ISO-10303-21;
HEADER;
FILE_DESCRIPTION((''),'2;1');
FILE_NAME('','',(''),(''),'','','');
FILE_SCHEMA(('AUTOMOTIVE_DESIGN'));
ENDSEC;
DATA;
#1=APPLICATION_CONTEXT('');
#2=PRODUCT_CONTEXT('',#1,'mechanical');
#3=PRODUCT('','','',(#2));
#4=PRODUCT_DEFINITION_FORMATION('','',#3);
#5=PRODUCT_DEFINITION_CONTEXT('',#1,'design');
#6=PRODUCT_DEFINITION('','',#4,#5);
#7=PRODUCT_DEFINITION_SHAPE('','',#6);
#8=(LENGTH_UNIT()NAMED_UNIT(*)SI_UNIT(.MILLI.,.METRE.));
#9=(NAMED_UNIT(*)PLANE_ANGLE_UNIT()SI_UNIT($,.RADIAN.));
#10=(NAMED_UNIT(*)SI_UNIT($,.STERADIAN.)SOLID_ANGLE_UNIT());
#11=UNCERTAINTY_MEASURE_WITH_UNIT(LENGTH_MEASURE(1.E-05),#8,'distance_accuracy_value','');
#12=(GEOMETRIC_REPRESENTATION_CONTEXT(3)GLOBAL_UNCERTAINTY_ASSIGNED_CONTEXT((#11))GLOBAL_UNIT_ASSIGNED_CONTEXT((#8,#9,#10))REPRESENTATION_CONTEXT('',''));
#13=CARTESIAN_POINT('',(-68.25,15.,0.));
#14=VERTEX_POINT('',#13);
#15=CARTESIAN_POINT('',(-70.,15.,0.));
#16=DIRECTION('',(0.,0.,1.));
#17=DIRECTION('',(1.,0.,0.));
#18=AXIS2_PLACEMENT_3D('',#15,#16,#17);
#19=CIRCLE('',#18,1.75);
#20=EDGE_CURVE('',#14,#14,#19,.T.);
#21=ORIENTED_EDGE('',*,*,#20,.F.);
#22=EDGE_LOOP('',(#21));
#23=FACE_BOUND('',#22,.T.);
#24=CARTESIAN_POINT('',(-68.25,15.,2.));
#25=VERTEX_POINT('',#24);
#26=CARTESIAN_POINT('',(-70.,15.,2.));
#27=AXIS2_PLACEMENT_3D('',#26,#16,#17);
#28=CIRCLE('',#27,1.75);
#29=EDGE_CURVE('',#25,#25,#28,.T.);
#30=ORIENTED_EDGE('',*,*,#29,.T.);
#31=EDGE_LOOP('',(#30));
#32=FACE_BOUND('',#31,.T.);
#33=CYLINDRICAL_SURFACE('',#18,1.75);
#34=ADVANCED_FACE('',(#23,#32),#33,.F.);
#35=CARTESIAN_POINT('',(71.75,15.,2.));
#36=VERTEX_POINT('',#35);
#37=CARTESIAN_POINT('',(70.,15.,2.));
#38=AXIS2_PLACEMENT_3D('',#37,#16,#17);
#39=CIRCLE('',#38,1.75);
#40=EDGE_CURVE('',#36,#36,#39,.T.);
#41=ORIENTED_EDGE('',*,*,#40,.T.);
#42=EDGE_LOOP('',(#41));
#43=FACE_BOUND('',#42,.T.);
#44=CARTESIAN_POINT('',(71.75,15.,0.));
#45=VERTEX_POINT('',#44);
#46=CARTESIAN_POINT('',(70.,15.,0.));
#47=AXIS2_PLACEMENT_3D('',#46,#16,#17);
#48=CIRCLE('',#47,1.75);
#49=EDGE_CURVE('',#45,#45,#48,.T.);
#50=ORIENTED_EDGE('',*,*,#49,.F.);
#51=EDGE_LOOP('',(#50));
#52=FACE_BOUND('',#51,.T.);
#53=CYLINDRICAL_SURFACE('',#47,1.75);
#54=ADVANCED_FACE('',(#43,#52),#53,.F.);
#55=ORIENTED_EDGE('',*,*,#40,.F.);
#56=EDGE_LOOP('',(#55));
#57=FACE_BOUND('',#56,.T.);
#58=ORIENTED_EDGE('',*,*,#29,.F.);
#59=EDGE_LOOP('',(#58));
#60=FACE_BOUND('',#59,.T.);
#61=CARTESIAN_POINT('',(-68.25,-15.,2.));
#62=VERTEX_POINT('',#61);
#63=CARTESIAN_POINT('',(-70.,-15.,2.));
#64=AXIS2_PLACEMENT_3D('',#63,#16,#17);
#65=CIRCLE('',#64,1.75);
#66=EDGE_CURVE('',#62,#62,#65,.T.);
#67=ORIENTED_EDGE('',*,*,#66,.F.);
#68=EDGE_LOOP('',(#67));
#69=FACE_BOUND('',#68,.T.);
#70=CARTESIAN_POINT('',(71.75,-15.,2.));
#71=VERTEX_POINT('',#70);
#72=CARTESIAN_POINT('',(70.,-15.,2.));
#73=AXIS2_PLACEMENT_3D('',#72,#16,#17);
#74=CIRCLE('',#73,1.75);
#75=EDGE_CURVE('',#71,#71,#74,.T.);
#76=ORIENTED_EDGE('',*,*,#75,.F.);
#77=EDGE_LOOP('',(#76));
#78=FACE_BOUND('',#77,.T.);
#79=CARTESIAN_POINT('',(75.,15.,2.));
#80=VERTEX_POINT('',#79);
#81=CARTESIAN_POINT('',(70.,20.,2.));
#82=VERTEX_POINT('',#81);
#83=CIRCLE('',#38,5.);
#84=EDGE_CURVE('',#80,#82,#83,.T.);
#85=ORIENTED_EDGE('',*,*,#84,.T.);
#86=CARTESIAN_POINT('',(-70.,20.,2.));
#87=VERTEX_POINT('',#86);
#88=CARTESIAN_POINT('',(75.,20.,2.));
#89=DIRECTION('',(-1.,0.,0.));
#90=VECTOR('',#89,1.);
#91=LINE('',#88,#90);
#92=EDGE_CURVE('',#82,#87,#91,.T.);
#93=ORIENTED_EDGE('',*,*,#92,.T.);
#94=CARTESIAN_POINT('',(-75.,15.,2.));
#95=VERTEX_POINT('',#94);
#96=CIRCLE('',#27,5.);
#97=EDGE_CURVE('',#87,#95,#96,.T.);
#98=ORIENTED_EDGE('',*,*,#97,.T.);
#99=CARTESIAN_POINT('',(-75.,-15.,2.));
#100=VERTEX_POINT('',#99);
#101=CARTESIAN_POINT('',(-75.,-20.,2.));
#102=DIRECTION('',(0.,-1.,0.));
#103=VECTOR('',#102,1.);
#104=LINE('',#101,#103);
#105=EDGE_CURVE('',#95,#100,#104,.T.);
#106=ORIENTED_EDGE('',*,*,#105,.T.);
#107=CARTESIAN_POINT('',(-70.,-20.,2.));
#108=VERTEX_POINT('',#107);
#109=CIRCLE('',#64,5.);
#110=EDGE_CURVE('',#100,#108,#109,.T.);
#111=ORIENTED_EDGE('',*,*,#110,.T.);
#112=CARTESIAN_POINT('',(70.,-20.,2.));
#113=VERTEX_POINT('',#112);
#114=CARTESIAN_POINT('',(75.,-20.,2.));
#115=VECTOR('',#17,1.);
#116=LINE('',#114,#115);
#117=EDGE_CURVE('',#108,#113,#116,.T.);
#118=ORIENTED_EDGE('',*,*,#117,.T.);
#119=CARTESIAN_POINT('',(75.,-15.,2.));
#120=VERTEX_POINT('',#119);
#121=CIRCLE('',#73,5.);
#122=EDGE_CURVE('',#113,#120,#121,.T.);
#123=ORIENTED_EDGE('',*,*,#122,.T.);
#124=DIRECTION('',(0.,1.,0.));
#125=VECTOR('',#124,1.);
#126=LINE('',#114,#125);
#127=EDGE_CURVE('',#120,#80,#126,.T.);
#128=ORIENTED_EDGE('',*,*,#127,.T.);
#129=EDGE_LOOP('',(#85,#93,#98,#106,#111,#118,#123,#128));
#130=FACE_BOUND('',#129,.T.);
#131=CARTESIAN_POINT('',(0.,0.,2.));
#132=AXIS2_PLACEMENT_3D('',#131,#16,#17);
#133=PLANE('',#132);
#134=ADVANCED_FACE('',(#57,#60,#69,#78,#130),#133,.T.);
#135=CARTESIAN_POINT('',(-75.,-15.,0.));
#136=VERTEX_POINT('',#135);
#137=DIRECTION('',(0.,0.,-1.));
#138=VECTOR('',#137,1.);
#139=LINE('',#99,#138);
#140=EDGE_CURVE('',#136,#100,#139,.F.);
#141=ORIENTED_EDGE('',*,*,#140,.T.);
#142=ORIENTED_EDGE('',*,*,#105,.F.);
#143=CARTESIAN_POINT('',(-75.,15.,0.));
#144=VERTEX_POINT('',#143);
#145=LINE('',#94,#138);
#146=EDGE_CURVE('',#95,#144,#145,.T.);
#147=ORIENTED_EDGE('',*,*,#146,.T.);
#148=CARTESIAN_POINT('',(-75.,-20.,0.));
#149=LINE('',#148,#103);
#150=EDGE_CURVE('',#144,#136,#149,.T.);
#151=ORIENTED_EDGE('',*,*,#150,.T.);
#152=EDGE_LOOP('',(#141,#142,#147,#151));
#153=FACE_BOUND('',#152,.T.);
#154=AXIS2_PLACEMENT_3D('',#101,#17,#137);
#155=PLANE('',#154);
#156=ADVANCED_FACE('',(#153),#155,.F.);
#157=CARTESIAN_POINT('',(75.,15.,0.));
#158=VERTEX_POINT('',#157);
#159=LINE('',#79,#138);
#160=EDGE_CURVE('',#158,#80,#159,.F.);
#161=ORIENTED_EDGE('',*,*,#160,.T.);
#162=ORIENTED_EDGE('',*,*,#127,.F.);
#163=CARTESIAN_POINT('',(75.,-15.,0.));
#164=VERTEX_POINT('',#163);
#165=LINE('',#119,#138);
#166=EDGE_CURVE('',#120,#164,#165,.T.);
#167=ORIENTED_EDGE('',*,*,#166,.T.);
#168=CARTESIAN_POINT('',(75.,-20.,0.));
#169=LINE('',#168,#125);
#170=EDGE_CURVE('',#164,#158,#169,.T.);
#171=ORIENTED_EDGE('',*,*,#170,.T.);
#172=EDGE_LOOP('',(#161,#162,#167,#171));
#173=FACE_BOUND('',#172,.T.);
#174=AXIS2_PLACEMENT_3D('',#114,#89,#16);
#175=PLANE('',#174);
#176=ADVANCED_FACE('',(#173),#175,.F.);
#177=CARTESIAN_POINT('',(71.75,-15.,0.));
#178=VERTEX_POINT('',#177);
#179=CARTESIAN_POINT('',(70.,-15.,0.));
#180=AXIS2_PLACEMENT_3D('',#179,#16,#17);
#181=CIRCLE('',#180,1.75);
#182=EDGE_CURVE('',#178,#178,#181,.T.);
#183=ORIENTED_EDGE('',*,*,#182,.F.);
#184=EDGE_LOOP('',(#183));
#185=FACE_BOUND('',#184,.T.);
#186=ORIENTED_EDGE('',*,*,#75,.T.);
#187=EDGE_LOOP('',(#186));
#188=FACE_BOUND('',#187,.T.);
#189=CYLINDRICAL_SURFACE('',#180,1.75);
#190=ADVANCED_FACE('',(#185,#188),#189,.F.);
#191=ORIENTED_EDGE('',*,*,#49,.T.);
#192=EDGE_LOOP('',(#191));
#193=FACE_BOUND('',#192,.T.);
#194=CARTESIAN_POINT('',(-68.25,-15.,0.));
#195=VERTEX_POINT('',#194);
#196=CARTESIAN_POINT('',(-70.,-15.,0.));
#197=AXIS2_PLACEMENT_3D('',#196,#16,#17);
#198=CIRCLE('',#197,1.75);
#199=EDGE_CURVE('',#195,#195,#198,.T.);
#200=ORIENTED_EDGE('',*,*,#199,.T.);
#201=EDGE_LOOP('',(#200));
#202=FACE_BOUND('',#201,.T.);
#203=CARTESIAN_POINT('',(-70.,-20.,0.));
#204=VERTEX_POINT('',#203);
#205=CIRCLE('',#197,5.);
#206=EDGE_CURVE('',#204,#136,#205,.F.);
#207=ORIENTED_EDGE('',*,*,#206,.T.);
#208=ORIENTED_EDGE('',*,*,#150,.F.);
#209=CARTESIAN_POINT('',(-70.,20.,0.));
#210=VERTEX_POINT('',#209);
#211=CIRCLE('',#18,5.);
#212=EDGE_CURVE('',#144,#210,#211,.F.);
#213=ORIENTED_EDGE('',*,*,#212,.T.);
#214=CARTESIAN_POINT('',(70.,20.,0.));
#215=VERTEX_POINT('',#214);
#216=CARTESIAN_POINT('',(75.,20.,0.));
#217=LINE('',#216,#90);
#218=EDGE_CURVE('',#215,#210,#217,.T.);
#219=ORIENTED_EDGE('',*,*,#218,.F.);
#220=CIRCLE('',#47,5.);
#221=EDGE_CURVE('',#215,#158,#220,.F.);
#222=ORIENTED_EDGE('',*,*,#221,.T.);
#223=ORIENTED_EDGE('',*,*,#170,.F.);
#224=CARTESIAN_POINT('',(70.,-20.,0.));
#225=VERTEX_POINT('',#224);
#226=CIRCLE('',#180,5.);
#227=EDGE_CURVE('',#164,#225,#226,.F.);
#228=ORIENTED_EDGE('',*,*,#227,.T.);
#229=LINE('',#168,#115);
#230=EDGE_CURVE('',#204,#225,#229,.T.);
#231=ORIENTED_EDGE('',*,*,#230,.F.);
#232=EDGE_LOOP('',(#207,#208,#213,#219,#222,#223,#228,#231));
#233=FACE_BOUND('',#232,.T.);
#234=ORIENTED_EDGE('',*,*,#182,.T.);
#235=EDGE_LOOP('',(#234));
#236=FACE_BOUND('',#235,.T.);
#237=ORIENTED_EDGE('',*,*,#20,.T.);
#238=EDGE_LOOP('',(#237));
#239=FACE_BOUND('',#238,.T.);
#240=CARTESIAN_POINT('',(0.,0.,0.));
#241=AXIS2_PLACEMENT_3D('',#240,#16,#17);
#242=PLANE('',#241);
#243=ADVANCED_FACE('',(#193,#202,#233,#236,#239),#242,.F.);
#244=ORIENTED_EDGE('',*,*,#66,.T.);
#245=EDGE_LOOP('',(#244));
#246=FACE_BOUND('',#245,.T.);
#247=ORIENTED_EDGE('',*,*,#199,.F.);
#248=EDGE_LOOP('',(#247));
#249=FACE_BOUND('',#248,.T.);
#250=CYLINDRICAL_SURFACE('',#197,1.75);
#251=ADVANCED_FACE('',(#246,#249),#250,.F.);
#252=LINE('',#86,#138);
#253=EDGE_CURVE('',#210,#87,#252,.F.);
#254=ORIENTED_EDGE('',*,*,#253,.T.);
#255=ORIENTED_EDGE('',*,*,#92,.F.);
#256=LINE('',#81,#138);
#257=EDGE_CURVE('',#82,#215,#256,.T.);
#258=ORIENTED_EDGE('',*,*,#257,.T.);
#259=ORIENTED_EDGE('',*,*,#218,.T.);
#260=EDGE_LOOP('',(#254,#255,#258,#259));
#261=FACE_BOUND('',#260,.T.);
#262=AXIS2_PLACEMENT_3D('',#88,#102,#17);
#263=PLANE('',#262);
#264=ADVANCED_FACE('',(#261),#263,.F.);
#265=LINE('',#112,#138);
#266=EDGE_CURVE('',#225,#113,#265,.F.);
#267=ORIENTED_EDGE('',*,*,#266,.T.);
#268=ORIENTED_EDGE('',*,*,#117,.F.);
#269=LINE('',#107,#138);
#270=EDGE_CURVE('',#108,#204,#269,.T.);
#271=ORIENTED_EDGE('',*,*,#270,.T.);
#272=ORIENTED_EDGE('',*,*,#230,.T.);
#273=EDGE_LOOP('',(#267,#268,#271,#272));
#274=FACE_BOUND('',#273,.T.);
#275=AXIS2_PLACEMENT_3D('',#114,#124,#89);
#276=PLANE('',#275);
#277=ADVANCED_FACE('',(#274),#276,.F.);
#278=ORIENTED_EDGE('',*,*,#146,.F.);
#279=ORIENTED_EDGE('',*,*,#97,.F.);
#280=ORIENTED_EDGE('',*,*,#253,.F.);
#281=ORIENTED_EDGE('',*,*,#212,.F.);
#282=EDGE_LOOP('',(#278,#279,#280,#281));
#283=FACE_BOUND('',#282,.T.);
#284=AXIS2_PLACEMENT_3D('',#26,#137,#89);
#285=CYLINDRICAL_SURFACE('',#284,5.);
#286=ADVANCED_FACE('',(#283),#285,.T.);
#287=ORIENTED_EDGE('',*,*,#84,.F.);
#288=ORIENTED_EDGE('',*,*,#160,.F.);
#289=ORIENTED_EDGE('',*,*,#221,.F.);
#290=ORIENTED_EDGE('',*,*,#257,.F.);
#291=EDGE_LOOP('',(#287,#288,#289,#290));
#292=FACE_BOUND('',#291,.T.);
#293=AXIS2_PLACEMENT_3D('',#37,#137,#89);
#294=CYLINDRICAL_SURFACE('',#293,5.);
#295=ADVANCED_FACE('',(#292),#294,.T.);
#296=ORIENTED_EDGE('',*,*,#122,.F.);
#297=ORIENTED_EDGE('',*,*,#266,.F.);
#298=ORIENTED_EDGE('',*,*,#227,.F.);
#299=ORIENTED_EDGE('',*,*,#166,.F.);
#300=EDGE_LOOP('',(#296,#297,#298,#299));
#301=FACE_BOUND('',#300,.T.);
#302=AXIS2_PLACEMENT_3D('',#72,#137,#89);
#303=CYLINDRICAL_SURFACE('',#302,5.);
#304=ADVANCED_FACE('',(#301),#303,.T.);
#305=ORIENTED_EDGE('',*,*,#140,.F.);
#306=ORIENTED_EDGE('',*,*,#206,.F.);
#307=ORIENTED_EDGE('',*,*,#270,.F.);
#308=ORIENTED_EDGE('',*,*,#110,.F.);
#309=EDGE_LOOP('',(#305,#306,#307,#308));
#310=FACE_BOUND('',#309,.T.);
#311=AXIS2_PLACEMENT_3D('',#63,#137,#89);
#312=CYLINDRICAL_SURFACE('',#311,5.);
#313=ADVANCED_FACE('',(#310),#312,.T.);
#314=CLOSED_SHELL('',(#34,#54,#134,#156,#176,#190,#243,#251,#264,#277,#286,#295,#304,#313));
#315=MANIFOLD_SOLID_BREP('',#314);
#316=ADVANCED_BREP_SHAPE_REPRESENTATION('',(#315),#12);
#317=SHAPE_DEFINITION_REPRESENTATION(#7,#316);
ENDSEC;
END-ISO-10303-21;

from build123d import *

# Parameters (mm, degrees)
SKETCH1_W           = 150
SKETCH1_H           = 40
BOSS_EXTRUDE1_DEPTH = 2
SKETCH2_R           = 1.75
CUT_EXTRUDE1_DEPTH  = 3
FILLET1_R           = 5


with BuildPart() as part:
    # Sketch1 → Boss-Extrude1 (new body)
    with BuildSketch(Plane.XY):
        Rectangle(SKETCH1_W, SKETCH1_H)
    extrude(amount=BOSS_EXTRUDE1_DEPTH)

    # Sketch2 → Cut-Extrude1 (cut, through all)
    with BuildSketch(Plane.XY.offset(2)):
        with Locations((-70, 15)):
            Circle(SKETCH2_R)
        with Locations((-70, -15)):
            Circle(SKETCH2_R)
        with Locations((70, -15)):
            Circle(SKETCH2_R)
        with Locations((70, 15)):
            Circle(SKETCH2_R)
    extrude(amount=-CUT_EXTRUDE1_DEPTH, mode=Mode.SUBTRACT)

    # Fillet1
    fillet1_edges = [part.edges().sort_by_distance(p)[0] for p in [
        (-75, 20, 1),
        (75, 20, 1),
        (75, -20, 1),
        (-75, -20, 1),
    ]]
    fillet(fillet1_edges, radius=FILLET1_R)


solid = part.part
